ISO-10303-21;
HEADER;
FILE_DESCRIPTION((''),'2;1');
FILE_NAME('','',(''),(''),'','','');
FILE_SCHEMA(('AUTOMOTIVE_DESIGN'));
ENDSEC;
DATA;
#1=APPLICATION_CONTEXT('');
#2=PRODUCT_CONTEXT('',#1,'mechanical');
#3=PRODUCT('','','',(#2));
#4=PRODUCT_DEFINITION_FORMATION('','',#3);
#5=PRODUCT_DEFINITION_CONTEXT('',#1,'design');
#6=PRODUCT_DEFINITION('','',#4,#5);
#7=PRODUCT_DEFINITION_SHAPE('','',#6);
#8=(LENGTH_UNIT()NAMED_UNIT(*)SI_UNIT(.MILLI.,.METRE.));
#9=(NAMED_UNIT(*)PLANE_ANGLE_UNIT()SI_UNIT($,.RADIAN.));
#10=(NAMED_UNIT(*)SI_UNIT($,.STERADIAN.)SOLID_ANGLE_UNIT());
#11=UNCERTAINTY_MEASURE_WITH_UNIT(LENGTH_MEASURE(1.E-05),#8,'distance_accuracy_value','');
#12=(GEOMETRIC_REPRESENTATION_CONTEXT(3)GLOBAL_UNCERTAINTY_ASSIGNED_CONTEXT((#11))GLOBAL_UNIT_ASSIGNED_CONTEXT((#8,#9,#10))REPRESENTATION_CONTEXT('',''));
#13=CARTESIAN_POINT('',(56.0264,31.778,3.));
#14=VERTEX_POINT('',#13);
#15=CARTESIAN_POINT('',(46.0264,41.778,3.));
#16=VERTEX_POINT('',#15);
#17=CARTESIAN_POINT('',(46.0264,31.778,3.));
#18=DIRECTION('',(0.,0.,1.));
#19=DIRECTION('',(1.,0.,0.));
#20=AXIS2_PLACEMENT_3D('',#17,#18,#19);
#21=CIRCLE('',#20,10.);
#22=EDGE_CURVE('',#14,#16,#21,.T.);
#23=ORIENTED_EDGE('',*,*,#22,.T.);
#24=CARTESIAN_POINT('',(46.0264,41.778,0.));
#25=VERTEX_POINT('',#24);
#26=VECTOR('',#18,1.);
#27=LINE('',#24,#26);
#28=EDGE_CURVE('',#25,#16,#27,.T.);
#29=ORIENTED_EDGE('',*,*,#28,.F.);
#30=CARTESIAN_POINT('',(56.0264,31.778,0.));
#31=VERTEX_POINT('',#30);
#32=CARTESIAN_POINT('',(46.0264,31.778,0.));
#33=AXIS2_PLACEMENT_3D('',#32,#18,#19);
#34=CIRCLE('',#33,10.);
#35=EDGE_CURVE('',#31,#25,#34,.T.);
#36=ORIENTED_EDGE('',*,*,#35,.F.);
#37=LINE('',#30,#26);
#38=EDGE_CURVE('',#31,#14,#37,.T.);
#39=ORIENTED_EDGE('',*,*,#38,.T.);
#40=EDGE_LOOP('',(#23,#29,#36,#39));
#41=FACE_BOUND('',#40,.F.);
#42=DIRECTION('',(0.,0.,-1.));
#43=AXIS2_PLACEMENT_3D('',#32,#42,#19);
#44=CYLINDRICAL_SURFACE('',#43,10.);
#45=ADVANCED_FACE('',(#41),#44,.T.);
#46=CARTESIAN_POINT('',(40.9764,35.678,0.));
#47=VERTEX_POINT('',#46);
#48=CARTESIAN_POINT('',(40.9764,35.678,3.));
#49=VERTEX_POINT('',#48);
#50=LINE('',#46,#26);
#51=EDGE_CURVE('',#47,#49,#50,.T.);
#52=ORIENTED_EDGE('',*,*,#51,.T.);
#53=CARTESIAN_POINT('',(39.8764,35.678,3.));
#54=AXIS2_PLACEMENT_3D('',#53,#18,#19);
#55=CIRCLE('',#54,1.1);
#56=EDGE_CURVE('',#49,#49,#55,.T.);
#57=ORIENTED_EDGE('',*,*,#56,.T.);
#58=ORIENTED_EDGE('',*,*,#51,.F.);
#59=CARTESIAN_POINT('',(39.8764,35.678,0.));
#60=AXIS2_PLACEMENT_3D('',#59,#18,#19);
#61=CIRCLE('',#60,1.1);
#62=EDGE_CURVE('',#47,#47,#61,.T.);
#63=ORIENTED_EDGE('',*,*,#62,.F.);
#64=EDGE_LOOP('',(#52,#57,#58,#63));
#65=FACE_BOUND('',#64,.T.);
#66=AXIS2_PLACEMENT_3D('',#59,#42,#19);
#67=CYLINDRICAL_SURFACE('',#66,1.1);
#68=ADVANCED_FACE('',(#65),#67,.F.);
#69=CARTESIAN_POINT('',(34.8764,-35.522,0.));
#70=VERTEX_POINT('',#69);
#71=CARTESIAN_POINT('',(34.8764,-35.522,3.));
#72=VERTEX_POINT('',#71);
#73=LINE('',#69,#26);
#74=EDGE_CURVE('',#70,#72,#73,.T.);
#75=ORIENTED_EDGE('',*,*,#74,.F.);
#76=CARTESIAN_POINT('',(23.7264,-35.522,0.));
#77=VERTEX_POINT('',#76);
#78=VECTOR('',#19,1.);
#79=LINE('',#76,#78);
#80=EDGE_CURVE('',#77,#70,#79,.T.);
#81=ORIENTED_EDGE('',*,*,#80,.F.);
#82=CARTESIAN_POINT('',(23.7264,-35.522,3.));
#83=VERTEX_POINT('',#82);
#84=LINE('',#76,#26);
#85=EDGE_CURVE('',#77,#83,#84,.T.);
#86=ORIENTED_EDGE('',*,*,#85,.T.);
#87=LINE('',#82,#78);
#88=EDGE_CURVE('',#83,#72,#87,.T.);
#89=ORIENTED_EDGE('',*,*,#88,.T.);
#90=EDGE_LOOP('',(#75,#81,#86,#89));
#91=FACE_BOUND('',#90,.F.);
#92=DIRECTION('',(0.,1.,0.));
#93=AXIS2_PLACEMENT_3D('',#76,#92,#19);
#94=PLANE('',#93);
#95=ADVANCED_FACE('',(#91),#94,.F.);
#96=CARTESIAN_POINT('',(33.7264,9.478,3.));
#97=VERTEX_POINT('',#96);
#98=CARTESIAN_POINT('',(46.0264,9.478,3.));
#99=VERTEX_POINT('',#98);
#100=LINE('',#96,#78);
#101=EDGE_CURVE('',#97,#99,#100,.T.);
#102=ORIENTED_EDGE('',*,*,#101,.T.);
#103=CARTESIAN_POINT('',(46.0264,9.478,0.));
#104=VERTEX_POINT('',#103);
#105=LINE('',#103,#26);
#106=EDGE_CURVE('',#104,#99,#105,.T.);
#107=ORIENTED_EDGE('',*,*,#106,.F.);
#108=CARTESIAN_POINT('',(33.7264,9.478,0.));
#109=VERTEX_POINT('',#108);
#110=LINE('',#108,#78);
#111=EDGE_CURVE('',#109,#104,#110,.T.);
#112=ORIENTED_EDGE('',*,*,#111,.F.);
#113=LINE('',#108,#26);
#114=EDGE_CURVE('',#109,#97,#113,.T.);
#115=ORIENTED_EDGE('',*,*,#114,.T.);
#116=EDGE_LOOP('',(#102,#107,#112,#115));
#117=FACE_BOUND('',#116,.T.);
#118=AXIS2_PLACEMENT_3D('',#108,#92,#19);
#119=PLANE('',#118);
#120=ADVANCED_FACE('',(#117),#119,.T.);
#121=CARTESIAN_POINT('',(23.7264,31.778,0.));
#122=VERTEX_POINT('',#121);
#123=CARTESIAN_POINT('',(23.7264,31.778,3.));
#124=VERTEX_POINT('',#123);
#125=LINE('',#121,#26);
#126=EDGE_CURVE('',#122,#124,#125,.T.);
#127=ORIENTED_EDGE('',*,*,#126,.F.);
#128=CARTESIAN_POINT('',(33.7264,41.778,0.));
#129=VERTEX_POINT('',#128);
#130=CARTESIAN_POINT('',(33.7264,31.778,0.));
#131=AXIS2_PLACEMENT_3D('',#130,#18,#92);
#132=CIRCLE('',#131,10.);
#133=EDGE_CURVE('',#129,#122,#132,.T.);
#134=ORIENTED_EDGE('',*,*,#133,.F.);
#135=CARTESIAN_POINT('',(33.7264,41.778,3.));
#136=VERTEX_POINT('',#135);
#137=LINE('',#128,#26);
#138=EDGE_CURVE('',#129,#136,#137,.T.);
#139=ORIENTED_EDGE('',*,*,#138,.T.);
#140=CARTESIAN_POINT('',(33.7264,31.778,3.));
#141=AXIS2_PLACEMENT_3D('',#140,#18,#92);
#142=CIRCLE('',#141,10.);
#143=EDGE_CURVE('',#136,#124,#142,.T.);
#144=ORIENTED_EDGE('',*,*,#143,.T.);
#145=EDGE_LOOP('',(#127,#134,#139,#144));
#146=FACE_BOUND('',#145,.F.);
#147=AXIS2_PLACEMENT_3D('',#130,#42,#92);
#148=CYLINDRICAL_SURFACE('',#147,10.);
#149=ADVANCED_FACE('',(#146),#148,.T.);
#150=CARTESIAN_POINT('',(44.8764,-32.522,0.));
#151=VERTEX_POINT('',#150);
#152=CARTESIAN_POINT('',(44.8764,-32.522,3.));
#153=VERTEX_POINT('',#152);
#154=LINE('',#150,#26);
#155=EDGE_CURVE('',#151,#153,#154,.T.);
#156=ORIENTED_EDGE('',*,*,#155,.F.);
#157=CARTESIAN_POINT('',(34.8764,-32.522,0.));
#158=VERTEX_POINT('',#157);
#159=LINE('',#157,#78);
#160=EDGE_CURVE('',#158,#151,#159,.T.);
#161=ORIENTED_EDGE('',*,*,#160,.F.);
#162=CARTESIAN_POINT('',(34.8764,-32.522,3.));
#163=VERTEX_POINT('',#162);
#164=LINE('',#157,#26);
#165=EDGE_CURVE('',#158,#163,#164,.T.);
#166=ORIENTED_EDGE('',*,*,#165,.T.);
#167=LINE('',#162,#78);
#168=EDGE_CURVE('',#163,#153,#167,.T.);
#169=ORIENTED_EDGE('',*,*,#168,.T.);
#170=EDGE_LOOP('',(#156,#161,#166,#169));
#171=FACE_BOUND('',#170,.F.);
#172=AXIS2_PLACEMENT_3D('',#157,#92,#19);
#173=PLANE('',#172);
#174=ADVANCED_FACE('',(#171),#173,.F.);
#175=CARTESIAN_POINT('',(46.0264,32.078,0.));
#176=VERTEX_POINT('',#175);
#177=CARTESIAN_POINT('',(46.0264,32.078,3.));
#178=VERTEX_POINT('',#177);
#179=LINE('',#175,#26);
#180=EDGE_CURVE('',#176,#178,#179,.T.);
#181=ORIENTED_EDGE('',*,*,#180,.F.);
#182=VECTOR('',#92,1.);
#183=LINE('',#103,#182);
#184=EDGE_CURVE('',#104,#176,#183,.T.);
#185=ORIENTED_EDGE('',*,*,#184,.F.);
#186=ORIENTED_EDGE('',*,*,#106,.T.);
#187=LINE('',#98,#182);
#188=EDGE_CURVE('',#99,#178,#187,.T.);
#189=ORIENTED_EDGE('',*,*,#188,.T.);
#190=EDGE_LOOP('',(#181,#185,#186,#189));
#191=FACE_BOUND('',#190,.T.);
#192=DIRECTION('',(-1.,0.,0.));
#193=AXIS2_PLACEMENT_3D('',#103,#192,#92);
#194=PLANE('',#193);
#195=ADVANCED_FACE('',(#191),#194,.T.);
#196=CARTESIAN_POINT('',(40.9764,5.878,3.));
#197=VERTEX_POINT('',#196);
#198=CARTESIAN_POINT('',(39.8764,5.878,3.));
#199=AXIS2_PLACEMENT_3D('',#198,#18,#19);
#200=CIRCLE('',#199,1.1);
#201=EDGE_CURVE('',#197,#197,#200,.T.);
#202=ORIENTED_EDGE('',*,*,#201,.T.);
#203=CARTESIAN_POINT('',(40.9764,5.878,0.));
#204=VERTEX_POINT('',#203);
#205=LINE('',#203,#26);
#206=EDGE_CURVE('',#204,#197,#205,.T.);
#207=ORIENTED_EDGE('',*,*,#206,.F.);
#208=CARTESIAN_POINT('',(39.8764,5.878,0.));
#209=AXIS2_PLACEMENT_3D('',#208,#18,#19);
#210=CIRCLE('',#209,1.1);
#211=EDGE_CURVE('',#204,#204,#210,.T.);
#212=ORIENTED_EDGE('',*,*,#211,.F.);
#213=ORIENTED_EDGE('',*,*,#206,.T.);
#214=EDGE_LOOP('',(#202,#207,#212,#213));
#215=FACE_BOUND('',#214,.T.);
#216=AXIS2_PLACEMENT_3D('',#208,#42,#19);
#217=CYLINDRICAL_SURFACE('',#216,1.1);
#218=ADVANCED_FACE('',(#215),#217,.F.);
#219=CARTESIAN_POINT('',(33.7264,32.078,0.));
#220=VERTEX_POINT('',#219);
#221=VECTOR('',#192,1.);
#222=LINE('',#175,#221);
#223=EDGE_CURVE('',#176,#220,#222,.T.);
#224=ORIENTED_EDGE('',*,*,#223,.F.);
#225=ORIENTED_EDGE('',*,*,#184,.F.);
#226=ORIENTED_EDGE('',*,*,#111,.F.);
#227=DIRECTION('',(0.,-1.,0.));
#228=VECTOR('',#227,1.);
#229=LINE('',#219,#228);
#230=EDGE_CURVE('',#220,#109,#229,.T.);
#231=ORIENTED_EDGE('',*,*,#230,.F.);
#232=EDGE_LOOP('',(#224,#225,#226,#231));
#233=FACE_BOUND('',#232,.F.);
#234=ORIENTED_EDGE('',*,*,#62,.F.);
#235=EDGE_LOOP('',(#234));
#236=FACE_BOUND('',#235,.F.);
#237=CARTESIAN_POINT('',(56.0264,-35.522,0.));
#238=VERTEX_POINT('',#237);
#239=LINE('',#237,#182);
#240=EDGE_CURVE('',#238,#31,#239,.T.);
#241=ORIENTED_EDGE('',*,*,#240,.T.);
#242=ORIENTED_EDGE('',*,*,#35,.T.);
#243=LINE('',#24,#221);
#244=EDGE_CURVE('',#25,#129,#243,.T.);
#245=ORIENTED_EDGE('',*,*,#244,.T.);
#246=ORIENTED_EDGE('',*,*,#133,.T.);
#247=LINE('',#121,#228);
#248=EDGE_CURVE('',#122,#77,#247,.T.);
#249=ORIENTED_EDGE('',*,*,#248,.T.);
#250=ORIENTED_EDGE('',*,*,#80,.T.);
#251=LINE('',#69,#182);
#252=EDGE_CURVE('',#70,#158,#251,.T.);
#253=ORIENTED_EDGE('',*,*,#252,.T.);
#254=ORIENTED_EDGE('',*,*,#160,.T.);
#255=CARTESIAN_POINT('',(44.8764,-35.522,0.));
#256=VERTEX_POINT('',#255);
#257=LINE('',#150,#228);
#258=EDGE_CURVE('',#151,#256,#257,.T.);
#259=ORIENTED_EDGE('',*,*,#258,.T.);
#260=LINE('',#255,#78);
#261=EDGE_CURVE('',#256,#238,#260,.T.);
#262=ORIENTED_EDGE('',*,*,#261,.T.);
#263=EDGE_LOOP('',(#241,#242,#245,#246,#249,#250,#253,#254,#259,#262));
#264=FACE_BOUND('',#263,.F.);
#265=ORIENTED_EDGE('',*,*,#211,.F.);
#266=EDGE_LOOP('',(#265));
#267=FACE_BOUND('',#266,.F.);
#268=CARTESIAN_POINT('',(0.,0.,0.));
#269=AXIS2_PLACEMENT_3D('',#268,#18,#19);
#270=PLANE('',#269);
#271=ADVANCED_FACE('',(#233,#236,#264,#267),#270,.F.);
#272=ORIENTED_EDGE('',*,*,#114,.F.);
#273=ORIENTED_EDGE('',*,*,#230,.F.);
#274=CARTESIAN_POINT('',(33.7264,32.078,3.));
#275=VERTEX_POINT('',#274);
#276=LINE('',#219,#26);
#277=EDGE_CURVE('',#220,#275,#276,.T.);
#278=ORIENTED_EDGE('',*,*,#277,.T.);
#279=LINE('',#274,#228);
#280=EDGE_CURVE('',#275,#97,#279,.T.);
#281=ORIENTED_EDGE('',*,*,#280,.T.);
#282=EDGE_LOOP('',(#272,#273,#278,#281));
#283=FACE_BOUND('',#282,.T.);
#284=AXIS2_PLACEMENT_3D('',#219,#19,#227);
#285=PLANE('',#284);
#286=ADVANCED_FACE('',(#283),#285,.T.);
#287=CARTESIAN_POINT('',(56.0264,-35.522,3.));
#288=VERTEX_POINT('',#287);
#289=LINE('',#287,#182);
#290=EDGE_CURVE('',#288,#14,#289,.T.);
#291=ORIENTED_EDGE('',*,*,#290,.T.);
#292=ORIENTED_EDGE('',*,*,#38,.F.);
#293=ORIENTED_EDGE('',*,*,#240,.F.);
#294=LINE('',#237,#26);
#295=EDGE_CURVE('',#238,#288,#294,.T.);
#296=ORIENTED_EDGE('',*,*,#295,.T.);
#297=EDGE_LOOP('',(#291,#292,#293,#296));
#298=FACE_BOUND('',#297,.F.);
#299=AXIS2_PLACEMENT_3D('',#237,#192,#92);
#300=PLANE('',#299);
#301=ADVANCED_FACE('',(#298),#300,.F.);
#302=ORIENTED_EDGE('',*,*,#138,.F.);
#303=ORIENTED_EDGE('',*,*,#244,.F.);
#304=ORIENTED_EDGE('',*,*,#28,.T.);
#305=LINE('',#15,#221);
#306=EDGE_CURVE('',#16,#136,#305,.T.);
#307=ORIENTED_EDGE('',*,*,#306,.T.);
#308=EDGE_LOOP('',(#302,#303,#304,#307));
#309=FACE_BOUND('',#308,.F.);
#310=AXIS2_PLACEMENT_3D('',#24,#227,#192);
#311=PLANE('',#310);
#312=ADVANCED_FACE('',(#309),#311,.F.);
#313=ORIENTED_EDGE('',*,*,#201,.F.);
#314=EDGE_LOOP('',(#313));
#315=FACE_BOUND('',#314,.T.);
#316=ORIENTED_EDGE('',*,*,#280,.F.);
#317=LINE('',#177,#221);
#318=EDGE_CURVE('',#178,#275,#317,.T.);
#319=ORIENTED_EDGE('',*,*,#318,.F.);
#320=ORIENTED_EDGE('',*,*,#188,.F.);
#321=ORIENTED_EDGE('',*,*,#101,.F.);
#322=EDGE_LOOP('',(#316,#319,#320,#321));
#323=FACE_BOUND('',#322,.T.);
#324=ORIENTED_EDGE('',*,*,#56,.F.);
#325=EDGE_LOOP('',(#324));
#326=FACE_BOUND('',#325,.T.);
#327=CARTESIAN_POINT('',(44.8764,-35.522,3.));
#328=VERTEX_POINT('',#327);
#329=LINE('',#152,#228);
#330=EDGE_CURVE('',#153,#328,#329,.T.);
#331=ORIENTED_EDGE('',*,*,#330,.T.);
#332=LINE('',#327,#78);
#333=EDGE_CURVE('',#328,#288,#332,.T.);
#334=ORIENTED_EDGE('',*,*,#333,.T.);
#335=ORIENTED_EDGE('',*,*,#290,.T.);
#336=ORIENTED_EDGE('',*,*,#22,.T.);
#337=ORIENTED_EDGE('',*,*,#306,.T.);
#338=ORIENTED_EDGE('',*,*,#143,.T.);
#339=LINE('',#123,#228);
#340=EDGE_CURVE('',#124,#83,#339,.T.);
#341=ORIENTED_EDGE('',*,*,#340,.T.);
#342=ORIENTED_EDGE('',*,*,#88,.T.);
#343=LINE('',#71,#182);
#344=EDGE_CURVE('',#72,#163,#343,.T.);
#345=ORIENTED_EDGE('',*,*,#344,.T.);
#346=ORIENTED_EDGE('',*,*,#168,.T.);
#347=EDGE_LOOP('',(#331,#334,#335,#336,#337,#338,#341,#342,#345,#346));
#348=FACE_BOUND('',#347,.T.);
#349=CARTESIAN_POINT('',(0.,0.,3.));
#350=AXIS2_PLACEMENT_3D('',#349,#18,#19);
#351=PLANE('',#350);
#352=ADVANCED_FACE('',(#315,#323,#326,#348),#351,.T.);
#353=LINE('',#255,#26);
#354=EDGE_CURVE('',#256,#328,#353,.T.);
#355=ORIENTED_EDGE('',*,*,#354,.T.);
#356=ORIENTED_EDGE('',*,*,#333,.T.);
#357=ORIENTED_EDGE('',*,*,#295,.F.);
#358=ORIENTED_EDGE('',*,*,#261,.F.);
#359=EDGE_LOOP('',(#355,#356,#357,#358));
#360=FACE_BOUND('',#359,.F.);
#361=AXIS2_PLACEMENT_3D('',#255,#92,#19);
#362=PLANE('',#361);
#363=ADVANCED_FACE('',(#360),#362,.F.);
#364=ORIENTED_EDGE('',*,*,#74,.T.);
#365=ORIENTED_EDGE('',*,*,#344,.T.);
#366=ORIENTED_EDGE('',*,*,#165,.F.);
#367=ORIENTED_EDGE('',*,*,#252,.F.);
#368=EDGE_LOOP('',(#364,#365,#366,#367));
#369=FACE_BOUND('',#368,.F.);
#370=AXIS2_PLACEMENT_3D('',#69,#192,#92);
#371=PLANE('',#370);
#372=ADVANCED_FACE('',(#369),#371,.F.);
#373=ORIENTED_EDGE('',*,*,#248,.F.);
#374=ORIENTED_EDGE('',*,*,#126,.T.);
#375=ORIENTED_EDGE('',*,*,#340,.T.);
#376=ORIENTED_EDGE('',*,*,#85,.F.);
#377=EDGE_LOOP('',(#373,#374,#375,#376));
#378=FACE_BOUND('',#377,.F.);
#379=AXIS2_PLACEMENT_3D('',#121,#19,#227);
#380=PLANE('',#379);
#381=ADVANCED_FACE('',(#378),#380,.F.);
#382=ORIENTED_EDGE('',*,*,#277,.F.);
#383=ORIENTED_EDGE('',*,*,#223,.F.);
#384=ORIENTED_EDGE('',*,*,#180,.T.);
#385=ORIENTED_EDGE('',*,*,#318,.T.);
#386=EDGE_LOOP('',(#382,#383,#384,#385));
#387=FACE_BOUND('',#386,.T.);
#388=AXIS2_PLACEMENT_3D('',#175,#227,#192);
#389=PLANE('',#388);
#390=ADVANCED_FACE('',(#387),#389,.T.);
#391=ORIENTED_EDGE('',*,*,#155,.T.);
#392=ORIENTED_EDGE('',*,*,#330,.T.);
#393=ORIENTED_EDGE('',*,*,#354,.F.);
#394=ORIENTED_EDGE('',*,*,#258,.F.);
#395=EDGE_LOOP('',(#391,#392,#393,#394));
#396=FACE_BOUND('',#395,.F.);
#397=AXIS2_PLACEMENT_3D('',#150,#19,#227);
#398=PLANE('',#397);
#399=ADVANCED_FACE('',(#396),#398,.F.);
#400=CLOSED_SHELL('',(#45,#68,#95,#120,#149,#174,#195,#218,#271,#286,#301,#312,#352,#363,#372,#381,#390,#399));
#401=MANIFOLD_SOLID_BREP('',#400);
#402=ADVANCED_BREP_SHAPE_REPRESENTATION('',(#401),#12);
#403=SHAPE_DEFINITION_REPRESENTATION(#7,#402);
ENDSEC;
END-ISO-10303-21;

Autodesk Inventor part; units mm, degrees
ref_plane "YZ Plane" through (0, 0, 0) normal (1, 0, 0) x (0, 1, 0)
ref_plane "XZ Plane" through (0, 0, 0) normal (0, 1, 0) x (-1, 0, 0)
ref_plane "XY Plane" through (0, 0, 0) normal (0, 0, 1) x (1, 0, 0)
sketch "Sketch1" plane through (0, 0, 0) normal (0, 0, 1) x (1, 0, 0)
  line L0 (46.0264, 41.778) -> (33.7264, 41.778)
  line L1 (23.7264, 31.778) -> (23.7264, -35.522)
  line L2 (56.0264, -35.522) -> (56.0264, 31.778)
  line L3 (46.0264, 32.078) -> (33.7264, 32.078)
  line L4 (33.7264, 32.078) -> (33.7264, 9.478)
  line L5 (33.7264, 9.478) -> (46.0264, 9.478)
  line L6 (46.0264, 9.478) -> (46.0264, 32.078)
  line L7 (46.0264, 32.078) -> (33.7264, 32.078) construction
  line L8 (33.7264, 32.078) -> (33.7264, 36.778) construction
  line L9 (33.7264, 36.778) -> (46.0264, 36.778) construction
  line L10 (46.0264, 36.778) -> (46.0264, 32.078) construction
  line L11 (39.8764, 36.778) -> (39.8764, 32.078) construction
  circle A0 centre (39.8764, 35.678) radius 1.1
  line L12 (46.0264, 9.478) -> (33.7264, 9.478) construction
  line L13 (33.7264, 9.478) -> (33.7264, 4.778) construction
  line L14 (33.7264, 4.778) -> (46.0264, 4.778) construction
  line L15 (46.0264, 4.778) -> (46.0264, 9.478) construction
  line L16 (39.8764, 4.778) -> (39.8764, 9.478) construction
  circle A1 centre (39.8764, 5.878) radius 1.1
  arc A2 (33.7264, 41.778) -> (23.7264, 31.778) centre (33.7264, 31.778) ccw
  arc A3 (56.0264, 31.778) -> (46.0264, 41.778) centre (46.0264, 31.778) ccw
  line L17 (34.8764, -35.522) -> (34.8764, -32.522)
  line L18 (34.8764, -32.522) -> (44.8764, -32.522)
  line L19 (44.8764, -32.522) -> (44.8764, -35.522)
  line L20 (23.7264, -35.522) -> (34.8764, -35.522)
  line L21 (44.8764, -35.522) -> (56.0264, -35.522)
  point P0 (0, 0)
  dimension "d0" = 12.3
  dimension "d1" = 22.6
  dimension "d2" = 4.7
  dimension "d3" = 1.1
  dimension "d4" = 4.7
  dimension "d5" = 1.1
  dimension "d7" = 5
  dimension "d8" = 10
  dimension "d9" = 10
  dimension "d10" = 10
  dimension "d11" = 32.3
  dimension "d12" = 10
  dimension "d13" = 11.15
  dimension "d14" = 11.15
  dimension "d17" = 45
  dimension "d18" = 45
  dimension "d20" = 42
  dimension "d21" = 12.3
  dimension "d22" = 12.3
extrude "Extrusion1" add sketch "Sketch1" along normal blind 3
properties part number "Stutze_Servo"
